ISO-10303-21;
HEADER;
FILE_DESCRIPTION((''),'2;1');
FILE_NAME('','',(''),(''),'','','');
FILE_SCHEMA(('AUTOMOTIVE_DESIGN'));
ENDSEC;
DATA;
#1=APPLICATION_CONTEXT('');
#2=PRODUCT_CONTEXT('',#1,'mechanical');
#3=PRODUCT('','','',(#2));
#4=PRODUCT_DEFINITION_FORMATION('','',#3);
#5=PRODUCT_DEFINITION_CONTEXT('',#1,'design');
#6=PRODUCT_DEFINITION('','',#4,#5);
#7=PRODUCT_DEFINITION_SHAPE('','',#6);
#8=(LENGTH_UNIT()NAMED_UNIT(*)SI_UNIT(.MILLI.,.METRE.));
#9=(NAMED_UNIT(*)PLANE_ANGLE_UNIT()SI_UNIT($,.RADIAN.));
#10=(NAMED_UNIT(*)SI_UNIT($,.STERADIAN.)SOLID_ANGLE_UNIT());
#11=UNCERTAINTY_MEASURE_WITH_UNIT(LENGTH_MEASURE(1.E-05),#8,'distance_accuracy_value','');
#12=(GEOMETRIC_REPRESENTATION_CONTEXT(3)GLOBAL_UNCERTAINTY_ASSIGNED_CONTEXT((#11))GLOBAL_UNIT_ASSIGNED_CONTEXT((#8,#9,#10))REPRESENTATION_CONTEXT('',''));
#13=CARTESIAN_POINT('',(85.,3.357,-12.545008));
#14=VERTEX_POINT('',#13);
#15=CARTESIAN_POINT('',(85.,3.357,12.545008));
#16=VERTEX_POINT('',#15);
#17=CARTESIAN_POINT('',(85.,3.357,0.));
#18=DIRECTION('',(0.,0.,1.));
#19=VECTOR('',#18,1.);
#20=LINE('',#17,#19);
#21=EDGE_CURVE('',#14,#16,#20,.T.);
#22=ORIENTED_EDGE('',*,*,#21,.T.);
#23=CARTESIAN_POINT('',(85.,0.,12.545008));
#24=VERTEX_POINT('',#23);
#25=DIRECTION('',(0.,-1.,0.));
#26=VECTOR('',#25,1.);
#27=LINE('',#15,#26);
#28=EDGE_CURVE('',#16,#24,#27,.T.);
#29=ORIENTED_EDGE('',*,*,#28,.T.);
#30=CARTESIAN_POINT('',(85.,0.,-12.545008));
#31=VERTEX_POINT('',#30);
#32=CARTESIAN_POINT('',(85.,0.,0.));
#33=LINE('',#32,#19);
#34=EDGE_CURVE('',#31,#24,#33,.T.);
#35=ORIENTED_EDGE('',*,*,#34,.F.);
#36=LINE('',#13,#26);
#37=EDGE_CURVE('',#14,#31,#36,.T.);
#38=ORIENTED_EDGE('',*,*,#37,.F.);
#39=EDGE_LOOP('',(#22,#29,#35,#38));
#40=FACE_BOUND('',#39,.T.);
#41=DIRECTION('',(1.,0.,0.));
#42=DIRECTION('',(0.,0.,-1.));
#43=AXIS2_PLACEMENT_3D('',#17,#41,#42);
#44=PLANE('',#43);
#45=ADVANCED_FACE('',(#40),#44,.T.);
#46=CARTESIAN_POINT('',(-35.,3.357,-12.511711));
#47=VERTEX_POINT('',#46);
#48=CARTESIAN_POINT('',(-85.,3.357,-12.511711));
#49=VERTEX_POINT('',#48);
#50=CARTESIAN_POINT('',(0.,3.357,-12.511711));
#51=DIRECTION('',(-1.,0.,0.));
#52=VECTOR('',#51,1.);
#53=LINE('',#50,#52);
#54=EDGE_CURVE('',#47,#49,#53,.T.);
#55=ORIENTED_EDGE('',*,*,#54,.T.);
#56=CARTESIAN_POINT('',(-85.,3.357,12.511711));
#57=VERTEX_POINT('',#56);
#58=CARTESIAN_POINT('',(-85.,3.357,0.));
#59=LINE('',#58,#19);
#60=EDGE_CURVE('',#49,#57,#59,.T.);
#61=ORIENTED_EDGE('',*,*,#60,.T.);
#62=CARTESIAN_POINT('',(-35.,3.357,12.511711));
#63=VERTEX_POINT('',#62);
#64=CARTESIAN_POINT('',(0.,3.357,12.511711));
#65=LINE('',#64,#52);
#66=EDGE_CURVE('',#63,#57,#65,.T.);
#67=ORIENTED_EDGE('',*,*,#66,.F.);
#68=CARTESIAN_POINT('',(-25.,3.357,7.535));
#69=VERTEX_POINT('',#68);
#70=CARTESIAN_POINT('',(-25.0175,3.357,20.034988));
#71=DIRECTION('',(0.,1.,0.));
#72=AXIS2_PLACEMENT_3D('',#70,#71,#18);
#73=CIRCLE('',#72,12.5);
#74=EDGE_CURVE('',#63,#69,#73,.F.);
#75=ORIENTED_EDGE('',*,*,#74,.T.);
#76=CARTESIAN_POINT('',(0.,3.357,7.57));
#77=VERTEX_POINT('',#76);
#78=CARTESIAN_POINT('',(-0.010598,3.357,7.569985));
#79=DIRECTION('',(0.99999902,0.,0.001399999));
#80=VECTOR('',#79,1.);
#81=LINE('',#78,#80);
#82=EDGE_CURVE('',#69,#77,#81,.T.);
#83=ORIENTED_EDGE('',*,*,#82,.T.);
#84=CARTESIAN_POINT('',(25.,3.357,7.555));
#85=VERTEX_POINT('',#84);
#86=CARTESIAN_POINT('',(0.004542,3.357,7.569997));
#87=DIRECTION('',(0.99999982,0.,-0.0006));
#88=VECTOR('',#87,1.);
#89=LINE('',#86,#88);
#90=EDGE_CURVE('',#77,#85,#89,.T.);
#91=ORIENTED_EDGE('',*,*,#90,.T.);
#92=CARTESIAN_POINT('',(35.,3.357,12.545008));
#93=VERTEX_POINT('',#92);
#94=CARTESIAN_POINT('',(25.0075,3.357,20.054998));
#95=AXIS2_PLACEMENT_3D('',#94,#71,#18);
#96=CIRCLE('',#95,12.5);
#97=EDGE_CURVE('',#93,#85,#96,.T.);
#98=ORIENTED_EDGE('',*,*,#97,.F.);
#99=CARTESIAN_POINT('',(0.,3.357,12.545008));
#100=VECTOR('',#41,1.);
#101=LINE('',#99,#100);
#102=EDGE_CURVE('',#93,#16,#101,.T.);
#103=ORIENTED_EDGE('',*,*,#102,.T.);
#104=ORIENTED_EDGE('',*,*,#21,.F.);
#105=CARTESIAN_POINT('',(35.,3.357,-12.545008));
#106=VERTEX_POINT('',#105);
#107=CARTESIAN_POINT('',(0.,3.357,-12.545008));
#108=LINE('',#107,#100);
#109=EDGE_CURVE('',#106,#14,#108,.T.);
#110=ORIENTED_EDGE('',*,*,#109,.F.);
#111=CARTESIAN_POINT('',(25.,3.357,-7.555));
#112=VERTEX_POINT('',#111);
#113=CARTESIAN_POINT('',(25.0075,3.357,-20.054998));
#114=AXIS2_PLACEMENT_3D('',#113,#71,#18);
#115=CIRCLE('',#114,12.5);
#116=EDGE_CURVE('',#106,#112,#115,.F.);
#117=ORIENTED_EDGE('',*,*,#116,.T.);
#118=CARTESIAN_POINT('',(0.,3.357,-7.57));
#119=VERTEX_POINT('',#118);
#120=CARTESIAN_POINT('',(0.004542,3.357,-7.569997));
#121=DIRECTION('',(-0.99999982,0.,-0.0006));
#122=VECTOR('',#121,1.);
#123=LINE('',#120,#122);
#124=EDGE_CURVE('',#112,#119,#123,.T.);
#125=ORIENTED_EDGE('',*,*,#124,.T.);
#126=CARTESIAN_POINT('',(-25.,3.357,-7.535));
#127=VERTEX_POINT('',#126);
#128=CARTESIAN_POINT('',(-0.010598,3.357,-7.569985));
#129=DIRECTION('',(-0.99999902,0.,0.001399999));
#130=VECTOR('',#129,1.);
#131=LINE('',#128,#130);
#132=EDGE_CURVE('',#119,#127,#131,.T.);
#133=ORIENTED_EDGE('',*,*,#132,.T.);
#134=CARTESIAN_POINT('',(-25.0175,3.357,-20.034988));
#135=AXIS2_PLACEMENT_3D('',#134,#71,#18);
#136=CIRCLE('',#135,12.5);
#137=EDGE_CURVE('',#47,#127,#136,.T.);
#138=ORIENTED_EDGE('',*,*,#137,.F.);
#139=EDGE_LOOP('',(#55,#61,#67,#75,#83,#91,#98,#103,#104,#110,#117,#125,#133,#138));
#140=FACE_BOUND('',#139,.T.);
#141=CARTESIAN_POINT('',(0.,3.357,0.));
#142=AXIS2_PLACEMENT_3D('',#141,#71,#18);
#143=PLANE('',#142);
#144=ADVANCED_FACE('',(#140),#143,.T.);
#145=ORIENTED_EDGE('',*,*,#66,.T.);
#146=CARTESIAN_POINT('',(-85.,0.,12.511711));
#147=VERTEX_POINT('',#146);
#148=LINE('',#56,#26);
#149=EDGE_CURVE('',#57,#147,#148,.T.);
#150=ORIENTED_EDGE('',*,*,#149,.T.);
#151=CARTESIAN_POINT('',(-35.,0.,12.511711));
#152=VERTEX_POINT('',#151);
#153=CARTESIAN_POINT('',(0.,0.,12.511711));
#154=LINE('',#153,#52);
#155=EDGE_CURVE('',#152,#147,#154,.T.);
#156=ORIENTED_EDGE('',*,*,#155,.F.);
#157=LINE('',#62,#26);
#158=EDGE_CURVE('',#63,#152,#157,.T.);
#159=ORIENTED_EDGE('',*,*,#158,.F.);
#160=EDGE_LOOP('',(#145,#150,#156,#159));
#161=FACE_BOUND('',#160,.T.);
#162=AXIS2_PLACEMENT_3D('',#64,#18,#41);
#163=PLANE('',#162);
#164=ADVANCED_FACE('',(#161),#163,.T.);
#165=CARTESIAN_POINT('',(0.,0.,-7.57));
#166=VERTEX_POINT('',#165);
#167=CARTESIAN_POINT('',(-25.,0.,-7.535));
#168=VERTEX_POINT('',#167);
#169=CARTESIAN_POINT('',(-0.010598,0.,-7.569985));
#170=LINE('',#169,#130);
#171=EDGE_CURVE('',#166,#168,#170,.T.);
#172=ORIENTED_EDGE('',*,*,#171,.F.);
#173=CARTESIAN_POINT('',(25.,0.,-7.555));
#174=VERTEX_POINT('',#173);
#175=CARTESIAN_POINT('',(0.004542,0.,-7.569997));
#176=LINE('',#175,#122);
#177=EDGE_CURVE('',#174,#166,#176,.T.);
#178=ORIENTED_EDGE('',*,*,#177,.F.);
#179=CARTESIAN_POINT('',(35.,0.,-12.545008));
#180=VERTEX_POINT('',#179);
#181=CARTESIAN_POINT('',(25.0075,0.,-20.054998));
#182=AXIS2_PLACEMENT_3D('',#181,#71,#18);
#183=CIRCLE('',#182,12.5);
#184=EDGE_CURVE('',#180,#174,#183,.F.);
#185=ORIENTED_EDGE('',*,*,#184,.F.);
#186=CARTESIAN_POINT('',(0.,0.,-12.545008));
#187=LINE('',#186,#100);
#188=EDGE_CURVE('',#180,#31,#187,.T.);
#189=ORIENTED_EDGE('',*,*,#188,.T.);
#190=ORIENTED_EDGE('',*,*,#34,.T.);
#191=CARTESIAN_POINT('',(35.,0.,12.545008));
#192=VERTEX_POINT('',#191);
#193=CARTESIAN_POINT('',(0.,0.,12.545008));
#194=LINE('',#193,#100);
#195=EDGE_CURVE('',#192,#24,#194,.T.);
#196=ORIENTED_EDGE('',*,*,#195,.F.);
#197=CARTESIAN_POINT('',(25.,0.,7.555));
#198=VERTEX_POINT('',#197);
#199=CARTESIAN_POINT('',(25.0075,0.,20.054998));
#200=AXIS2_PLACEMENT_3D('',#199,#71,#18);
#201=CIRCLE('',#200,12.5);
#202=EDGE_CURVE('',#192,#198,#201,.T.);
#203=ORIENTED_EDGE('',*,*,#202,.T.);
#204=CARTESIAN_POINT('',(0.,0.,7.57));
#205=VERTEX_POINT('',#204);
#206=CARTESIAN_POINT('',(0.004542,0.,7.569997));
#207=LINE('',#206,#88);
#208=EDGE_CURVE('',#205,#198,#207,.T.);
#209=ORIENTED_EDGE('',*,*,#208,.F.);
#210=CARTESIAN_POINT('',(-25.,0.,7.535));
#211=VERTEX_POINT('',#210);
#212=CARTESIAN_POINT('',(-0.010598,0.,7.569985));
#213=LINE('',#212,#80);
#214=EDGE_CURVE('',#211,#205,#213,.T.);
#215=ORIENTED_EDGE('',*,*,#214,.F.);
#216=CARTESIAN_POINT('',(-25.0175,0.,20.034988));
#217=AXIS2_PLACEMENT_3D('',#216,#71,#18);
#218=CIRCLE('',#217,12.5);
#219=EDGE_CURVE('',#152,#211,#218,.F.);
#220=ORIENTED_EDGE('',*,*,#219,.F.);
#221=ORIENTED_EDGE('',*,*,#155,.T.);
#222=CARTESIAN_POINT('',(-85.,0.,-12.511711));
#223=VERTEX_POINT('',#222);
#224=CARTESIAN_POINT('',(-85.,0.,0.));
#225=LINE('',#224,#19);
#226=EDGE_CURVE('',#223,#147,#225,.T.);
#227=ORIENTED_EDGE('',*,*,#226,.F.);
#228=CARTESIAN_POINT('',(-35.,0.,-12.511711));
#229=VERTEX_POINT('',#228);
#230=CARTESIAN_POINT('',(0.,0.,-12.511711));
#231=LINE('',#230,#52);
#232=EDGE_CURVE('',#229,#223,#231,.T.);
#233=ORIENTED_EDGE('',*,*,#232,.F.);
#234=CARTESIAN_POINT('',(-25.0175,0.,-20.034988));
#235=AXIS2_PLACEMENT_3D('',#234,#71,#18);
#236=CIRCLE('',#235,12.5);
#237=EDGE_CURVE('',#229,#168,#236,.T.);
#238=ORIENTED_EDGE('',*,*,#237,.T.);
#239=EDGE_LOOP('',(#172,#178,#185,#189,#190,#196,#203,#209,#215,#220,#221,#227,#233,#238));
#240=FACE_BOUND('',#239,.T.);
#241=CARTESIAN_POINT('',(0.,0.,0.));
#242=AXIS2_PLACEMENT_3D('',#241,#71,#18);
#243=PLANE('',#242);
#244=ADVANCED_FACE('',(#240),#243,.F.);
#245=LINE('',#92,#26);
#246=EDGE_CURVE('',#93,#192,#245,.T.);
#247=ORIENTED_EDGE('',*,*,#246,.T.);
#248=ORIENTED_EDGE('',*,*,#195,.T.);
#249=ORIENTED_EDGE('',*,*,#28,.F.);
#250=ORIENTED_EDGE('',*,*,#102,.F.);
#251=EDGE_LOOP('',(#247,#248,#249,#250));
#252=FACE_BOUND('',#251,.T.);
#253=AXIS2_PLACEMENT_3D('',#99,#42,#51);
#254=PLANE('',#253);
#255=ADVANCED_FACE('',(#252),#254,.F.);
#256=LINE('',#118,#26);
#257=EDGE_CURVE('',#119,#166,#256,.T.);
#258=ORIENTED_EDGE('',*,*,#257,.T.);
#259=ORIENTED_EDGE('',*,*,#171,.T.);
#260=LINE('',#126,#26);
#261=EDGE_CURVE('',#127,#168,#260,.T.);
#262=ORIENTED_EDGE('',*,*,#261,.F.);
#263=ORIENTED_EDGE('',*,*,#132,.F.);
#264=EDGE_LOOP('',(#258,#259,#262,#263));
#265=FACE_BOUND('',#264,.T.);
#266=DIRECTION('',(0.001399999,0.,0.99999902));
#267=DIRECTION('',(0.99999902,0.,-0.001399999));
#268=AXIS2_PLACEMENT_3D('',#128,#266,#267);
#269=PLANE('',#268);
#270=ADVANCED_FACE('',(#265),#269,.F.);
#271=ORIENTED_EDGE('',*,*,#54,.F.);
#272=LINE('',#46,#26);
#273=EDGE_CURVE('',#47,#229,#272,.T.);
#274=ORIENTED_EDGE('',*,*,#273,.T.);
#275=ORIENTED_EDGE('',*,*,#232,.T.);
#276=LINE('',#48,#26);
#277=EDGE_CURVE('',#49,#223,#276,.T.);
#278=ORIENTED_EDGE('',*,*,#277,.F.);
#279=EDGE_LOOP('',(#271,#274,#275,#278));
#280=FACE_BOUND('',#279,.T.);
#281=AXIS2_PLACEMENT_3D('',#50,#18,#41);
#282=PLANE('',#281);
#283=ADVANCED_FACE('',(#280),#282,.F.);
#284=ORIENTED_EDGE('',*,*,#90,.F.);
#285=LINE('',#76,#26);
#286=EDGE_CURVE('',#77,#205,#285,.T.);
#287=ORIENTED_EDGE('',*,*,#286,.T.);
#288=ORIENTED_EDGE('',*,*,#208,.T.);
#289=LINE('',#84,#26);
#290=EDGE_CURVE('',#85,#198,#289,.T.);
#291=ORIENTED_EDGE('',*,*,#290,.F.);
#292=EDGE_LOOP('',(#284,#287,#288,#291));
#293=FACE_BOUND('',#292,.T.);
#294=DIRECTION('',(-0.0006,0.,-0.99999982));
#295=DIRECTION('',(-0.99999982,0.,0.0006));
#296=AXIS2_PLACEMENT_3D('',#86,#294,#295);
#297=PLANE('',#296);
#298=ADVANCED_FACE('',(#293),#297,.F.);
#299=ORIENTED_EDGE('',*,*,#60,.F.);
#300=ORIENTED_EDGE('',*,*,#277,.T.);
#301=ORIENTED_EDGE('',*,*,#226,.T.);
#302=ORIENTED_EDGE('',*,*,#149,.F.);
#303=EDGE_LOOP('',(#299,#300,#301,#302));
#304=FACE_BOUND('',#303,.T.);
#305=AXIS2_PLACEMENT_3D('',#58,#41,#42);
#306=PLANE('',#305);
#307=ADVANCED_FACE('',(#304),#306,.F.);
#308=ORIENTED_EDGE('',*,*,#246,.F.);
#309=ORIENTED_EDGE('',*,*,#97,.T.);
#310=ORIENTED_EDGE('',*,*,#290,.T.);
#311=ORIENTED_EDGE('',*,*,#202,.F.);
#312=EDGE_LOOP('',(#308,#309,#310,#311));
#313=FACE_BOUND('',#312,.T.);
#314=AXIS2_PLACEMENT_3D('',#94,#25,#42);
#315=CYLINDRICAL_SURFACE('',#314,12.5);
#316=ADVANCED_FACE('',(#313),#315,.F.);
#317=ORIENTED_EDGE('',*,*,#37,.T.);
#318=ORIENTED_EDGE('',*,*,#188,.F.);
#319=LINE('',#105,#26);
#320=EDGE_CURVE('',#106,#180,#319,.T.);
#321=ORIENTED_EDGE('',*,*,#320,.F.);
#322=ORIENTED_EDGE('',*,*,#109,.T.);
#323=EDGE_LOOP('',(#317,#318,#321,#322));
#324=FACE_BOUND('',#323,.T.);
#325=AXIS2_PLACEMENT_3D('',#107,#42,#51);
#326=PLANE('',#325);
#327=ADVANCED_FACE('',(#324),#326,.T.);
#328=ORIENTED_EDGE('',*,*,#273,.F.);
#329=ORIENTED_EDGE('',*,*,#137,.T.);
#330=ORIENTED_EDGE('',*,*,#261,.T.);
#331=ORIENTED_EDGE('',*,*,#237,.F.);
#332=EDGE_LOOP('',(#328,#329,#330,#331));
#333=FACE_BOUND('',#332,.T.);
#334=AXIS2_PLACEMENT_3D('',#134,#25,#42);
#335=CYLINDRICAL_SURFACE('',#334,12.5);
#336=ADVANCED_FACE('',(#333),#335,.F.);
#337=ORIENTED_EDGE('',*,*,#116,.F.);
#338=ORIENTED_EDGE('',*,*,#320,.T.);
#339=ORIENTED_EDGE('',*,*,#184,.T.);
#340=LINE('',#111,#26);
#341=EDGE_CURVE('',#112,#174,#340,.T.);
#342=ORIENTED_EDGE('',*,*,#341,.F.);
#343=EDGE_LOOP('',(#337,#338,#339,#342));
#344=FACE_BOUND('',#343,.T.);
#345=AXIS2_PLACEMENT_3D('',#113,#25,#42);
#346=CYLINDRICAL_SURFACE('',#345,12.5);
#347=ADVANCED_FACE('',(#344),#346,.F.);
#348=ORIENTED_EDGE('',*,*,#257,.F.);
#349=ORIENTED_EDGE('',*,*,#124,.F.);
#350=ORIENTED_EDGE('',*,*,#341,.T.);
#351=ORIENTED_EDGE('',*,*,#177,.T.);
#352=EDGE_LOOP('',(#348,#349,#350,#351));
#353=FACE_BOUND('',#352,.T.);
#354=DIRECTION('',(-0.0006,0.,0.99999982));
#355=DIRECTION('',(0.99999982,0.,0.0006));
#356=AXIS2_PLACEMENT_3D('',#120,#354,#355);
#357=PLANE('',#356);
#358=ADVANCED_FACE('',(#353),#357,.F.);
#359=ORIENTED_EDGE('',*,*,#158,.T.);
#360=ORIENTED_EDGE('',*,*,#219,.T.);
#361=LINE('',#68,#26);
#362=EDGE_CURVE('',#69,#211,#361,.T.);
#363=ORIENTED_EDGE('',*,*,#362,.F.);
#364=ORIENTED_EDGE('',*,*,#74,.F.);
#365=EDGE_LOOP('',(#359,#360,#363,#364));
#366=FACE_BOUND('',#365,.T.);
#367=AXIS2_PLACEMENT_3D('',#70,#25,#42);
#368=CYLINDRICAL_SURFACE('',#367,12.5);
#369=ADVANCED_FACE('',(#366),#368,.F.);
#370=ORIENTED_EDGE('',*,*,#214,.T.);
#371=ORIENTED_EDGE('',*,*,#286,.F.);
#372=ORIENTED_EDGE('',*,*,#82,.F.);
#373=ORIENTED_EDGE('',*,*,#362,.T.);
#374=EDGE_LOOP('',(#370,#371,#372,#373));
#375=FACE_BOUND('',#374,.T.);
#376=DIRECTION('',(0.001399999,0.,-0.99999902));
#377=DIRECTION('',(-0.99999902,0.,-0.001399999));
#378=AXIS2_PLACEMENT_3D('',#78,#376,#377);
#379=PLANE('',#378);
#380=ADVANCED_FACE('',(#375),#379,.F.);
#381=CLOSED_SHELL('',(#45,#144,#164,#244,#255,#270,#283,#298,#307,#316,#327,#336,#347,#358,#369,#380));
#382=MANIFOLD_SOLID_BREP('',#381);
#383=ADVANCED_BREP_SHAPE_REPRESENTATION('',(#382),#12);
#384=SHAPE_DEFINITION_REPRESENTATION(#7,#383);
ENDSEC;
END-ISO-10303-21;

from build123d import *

# Parameters (mm, degrees)
BOSS_EXTRUDE2_DEPTH = 3.357


with BuildPart() as part:
    # Sketch1 → Boss-Extrude2 (new body)
    with BuildSketch(Plane(origin=(0, 0, 0), x_dir=(1, 0, 0), z_dir=(0, 1, 0))):
        with BuildLine():
            Line((35, 12.545008155), (85, 12.545008155))
            Line((85, 12.545008155), (85, -12.545008155))
            Line((85, -12.545008155), (35, -12.545008155))
            ThreePointArc((35, -12.545008155), (30.588727606, -8.870191163), (25, -7.555))
            Line((25, -7.555), (0, -7.57))
            Line((0, -7.57), (-25, -7.535))
            ThreePointArc((-25, -7.535), (-30.586810484, -8.844242442), (-35, -12.511710977))
            Line((-35, -12.511710977), (-85, -12.511710977))
            Line((-85, -12.511710977), (-85, 12.511710977))
            Line((-85, 12.511710977), (-35, 12.511710977))
            ThreePointArc((-35, 12.511710977), (-30.586810484, 8.844242442), (-25, 7.535))
            Line((-25, 7.535), (0, 7.57))
            Line((0, 7.57), (25, 7.555))
            ThreePointArc((25, 7.555), (30.588727606, 8.870191163), (35, 12.545008155))
        make_face()
    extrude(amount=BOSS_EXTRUDE2_DEPTH)


solid = part.part
